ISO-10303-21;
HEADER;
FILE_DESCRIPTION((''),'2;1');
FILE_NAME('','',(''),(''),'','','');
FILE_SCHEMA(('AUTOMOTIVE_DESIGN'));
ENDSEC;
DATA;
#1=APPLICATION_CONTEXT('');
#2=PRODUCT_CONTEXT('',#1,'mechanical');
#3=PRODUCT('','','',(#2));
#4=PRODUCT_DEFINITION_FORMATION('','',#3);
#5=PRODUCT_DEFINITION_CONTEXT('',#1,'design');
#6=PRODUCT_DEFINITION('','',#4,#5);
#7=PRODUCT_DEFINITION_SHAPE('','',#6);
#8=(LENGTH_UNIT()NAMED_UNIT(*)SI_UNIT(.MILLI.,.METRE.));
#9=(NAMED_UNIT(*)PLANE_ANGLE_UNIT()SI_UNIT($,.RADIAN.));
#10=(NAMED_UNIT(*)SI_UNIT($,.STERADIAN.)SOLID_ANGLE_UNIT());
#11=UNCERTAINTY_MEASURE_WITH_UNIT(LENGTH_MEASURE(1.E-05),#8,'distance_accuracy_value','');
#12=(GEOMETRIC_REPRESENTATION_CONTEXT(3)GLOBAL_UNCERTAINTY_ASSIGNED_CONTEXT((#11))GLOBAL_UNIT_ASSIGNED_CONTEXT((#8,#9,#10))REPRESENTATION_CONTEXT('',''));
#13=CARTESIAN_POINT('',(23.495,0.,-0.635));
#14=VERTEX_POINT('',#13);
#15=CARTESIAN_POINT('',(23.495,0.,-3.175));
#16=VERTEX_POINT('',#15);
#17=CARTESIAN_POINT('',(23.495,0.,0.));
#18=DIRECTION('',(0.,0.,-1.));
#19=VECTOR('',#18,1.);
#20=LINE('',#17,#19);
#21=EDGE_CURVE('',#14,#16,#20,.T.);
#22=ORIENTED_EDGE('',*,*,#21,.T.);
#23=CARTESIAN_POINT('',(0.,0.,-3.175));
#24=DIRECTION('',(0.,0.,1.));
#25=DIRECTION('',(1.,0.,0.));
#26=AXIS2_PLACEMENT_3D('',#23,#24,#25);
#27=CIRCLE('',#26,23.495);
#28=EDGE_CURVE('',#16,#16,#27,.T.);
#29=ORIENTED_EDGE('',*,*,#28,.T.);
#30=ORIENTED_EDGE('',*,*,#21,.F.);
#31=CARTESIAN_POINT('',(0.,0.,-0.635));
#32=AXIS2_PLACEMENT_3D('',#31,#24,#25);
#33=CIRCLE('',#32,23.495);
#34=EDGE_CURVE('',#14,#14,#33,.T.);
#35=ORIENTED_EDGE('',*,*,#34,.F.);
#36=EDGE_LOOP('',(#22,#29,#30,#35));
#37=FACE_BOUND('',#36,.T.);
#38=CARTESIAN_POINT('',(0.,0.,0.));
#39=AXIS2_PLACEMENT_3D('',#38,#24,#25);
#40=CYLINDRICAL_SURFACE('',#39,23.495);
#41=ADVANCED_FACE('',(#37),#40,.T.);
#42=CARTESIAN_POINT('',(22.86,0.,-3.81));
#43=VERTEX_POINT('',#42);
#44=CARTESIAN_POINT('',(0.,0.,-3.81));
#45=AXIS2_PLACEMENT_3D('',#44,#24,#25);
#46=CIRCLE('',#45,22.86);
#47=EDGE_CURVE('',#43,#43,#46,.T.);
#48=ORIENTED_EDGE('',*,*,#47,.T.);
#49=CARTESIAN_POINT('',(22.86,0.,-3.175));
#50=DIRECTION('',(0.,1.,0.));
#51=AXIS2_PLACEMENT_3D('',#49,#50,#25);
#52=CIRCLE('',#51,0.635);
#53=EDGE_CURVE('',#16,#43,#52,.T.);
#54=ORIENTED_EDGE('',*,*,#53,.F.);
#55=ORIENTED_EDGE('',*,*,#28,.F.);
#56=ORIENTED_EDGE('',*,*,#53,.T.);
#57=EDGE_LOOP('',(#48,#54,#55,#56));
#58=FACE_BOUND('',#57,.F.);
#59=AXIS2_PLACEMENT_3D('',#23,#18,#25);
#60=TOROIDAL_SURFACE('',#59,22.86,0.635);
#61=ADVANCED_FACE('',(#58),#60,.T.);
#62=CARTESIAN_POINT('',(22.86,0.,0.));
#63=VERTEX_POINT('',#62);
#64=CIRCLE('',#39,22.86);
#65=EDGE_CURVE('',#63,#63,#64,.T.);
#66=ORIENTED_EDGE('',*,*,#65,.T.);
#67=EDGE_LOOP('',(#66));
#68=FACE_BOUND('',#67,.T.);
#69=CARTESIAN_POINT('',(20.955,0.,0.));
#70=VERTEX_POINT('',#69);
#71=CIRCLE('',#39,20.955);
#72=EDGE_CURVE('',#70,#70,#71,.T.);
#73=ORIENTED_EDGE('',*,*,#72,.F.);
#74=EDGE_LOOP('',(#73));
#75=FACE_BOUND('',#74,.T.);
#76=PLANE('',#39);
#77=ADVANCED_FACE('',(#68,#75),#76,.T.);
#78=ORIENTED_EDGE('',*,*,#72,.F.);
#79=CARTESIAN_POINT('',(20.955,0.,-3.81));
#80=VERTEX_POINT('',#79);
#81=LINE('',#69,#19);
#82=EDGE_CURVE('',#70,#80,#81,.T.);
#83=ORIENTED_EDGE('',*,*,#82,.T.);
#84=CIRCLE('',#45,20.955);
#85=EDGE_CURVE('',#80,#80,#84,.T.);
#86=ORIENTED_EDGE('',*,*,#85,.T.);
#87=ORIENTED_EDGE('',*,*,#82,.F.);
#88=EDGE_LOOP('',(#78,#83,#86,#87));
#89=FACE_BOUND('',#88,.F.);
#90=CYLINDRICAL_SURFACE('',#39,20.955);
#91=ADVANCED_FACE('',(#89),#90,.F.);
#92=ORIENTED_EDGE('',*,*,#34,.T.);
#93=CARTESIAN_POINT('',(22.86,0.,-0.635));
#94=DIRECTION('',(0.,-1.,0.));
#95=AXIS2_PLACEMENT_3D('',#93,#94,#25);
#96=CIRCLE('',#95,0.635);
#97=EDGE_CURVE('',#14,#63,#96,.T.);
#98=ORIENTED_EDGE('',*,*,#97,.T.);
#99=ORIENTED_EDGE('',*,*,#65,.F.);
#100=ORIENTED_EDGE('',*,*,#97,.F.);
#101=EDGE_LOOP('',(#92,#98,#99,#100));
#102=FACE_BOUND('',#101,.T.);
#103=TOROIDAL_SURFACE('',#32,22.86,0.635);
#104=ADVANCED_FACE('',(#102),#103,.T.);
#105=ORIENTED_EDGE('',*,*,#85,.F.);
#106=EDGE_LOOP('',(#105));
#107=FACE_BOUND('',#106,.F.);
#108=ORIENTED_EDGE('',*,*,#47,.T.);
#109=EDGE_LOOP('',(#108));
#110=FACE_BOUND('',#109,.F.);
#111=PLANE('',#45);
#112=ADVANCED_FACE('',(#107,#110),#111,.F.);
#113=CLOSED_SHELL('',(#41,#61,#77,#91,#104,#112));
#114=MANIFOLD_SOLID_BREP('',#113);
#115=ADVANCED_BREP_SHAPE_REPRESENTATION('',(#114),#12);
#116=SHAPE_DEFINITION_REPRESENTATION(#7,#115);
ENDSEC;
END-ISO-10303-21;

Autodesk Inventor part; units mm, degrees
ref_plane "YZ Plane" through (0, 0, 0) normal (1, 0, 0) x (0, 1, 0)
ref_plane "XZ Plane" through (0, 0, 0) normal (0, 1, 0) x (-1, 0, 0)
ref_plane "XY Plane" through (0, 0, 0) normal (0, 0, 1) x (1, 0, 0)
ref_plane "Work Plane1" through (0, 0, 0) normal (0, 0, 1) x (1, 0, 0)
sketch "Sketch1" plane through (0, 0, 0) normal (0, 0, 1) x (1, 0, 0)
  circle A0 centre (0, 0) radius 23.495 projected
  circle A1 centre (-36.957, 0) radius 4.191 projected
  circle A2 centre (36.957, 0) radius 4.191 projected
  arc A3 (45.339, 6.35) -> (42.164, 9.525) centre (42.164, 6.35) ccw projected
  line L0 (42.164, 9.525) -> (38.1051, 9.525) projected
  arc A4 (19.3802, 17.7628) -> (38.1051, 9.525) centre (38.1051, 34.925) ccw projected
  arc A5 (19.3802, 17.7628) -> (-19.3802, 17.7628) centre (0, 0) ccw projected
  arc A6 (-38.1051, 9.525) -> (-19.3802, 17.7628) centre (-38.1051, 34.925) ccw projected
  line L1 (-38.1051, 9.525) -> (-42.164, 9.525) projected
  arc A7 (-42.164, 9.525) -> (-45.339, 6.35) centre (-42.164, 6.35) ccw projected
  line L2 (-45.339, 6.35) -> (-45.339, -6.35) projected
  arc A8 (-45.339, -6.35) -> (-42.164, -9.525) centre (-42.164, -6.35) ccw projected
  line L3 (-42.164, -9.525) -> (-38.1051, -9.525) projected
  arc A9 (-19.3802, -17.7628) -> (-38.1051, -9.525) centre (-38.1051, -34.925) ccw projected
  arc A10 (-19.3802, -17.7628) -> (19.3802, -17.7628) centre (0, 0) ccw projected
  arc A11 (38.1051, -9.525) -> (19.3802, -17.7628) centre (38.1051, -34.925) ccw projected
  line L4 (38.1051, -9.525) -> (42.164, -9.525) projected
  arc A12 (42.164, -9.525) -> (45.339, -6.35) centre (42.164, -6.35) ccw projected
  line L5 (45.339, -6.35) -> (45.339, 6.35) projected
  circle A13 centre (0, 0) radius 23.749 projected
  circle A14 centre (0, 0) radius 20.955
  point P0 (0, 0)
  dimension "d0" = 2.54
extrude "Extrusion1" add sketch "Sketch1" against normal blind 3.81 contours A0
fillet "Fillet1" radius 0.635 2 edges at (-23.495, 0, 0) (-23.495, 0, -3.81)
properties part number "Big Bearing Spacer"
